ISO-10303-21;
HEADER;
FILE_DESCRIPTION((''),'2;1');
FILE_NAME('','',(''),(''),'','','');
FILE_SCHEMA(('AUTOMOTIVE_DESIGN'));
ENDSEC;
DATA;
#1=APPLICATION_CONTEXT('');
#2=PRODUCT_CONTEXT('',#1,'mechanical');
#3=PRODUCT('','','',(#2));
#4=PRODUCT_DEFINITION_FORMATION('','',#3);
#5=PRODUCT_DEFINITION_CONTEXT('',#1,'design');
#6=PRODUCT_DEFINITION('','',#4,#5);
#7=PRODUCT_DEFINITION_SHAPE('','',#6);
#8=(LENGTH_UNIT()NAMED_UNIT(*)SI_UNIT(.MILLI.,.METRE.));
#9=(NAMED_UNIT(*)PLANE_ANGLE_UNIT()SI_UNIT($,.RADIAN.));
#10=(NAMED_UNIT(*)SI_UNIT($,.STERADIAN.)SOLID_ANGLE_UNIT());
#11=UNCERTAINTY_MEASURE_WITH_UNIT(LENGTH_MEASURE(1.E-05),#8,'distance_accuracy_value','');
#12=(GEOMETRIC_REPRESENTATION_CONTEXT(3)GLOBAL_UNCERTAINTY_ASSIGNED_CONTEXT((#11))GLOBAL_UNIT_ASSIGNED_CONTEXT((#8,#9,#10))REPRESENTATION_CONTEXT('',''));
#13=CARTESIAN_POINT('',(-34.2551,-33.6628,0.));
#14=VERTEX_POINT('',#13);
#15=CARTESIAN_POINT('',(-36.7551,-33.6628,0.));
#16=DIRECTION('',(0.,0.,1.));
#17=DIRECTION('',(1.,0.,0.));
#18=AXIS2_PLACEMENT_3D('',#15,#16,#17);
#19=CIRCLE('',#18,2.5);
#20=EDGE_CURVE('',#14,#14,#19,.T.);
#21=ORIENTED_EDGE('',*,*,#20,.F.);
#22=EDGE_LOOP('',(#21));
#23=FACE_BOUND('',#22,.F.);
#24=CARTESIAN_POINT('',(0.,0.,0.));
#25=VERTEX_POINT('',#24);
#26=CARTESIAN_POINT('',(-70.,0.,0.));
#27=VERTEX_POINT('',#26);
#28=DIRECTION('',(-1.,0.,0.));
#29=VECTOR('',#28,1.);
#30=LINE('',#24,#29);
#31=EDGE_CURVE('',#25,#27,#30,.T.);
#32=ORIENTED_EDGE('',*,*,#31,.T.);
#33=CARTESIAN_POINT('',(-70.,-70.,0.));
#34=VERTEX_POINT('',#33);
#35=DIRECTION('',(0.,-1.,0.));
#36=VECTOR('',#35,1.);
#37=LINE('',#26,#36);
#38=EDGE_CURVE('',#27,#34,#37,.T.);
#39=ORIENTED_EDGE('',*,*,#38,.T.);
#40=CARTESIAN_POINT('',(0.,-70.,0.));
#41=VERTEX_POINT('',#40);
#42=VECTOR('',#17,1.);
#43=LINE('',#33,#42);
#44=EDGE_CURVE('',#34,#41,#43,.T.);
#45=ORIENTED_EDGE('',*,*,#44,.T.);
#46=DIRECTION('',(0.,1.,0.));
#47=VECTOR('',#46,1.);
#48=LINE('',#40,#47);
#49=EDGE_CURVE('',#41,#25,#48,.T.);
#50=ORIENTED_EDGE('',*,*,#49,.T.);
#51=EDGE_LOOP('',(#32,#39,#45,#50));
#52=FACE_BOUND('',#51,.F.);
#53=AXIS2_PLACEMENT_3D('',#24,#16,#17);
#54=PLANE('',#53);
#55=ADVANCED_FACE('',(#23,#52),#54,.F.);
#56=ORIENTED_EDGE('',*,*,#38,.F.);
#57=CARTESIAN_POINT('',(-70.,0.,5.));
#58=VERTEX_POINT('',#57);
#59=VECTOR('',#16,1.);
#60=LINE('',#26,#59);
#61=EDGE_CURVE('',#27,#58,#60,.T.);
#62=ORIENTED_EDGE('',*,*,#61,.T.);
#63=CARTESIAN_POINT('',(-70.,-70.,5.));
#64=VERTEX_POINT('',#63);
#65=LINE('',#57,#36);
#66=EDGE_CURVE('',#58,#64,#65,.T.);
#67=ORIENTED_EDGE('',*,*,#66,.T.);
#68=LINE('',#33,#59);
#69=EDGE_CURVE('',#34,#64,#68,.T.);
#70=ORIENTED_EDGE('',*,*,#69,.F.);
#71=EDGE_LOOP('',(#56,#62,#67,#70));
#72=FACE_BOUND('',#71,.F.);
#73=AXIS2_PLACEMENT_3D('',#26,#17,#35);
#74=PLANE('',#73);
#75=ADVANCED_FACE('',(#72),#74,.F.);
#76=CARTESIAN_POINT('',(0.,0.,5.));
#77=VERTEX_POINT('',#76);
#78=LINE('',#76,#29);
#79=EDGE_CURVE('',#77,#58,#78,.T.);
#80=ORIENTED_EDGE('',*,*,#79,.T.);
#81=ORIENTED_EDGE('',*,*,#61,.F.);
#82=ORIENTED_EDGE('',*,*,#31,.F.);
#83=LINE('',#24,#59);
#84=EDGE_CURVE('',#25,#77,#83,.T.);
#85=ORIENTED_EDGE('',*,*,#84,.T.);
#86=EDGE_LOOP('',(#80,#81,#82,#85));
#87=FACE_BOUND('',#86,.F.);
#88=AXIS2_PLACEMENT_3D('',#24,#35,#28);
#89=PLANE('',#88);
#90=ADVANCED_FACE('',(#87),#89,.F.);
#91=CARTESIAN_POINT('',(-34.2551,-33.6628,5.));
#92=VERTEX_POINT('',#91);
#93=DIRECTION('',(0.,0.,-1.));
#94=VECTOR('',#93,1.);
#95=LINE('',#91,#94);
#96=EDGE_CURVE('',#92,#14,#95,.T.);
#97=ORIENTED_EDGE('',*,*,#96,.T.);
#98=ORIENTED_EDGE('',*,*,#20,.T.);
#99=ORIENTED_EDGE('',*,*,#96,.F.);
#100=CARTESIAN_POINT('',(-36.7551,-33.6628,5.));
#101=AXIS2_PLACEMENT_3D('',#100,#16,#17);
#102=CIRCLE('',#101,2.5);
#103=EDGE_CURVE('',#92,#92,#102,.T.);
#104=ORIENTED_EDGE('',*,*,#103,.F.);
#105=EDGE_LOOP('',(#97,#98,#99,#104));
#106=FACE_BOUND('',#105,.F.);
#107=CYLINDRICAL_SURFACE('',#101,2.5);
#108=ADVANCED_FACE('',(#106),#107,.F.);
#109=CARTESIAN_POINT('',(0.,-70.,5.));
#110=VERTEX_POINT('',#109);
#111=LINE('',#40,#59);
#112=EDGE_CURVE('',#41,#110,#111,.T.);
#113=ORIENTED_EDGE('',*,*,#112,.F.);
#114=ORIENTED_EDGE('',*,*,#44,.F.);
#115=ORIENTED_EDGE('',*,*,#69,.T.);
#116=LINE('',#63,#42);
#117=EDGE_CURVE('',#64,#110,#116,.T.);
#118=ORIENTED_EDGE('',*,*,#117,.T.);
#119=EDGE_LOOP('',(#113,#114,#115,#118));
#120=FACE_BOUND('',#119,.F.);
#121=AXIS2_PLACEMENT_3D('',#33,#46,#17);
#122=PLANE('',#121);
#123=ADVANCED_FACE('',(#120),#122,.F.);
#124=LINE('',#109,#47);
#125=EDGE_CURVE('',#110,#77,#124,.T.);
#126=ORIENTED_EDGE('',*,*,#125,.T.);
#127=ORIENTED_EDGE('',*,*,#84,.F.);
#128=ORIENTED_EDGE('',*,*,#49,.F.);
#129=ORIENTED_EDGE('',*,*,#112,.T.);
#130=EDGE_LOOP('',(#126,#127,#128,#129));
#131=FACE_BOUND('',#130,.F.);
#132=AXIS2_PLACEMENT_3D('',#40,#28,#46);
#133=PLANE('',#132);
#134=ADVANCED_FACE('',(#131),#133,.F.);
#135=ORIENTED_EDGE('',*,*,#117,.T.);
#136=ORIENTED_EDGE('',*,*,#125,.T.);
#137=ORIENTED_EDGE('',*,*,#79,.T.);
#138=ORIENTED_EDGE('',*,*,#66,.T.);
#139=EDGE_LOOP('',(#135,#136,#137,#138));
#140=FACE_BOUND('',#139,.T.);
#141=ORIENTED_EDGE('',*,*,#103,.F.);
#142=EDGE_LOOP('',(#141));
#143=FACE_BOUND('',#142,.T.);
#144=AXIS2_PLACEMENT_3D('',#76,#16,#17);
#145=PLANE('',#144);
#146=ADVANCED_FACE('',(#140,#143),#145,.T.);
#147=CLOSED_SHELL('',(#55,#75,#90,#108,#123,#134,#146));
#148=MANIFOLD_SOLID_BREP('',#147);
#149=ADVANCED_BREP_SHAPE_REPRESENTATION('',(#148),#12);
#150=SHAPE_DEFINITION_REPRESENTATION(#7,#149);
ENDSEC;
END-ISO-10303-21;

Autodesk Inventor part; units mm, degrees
ref_plane "YZ Plane" through (0, 0, 0) normal (1, 0, 0) x (0, 1, 0)
ref_plane "XZ Plane" through (0, 0, 0) normal (0, 1, 0) x (-1, 0, 0)
ref_plane "XY Plane" through (0, 0, 0) normal (0, 0, 1) x (1, 0, 0)
sketch "Sketch1" plane through (0, 0, 0) normal (0, 0, 1) x (1, 0, 0)
  line L0 (0, 0) -> (-70, 0)
  line L1 (-70, 0) -> (-70, -70)
  line L2 (-70, -70) -> (0, -70)
  line L3 (0, -70) -> (0, 0)
  dimension "d0" = 70
  dimension "d1" = 70
extrude "Extrusion1" add sketch "Sketch1" along normal blind 5
sketch "Sketch2" plane through (0, 0, 5) normal (0, 0, 1) x (1, 0, 0)
  circle A0 centre (-36.7551, -33.6628) radius 2.5
  point P0 (0, 0)
  dimension "d4" = 5
extrude "Extrusion2" cut sketch "Sketch2" against normal blind 5
properties part number "mouuth_outer_box"
